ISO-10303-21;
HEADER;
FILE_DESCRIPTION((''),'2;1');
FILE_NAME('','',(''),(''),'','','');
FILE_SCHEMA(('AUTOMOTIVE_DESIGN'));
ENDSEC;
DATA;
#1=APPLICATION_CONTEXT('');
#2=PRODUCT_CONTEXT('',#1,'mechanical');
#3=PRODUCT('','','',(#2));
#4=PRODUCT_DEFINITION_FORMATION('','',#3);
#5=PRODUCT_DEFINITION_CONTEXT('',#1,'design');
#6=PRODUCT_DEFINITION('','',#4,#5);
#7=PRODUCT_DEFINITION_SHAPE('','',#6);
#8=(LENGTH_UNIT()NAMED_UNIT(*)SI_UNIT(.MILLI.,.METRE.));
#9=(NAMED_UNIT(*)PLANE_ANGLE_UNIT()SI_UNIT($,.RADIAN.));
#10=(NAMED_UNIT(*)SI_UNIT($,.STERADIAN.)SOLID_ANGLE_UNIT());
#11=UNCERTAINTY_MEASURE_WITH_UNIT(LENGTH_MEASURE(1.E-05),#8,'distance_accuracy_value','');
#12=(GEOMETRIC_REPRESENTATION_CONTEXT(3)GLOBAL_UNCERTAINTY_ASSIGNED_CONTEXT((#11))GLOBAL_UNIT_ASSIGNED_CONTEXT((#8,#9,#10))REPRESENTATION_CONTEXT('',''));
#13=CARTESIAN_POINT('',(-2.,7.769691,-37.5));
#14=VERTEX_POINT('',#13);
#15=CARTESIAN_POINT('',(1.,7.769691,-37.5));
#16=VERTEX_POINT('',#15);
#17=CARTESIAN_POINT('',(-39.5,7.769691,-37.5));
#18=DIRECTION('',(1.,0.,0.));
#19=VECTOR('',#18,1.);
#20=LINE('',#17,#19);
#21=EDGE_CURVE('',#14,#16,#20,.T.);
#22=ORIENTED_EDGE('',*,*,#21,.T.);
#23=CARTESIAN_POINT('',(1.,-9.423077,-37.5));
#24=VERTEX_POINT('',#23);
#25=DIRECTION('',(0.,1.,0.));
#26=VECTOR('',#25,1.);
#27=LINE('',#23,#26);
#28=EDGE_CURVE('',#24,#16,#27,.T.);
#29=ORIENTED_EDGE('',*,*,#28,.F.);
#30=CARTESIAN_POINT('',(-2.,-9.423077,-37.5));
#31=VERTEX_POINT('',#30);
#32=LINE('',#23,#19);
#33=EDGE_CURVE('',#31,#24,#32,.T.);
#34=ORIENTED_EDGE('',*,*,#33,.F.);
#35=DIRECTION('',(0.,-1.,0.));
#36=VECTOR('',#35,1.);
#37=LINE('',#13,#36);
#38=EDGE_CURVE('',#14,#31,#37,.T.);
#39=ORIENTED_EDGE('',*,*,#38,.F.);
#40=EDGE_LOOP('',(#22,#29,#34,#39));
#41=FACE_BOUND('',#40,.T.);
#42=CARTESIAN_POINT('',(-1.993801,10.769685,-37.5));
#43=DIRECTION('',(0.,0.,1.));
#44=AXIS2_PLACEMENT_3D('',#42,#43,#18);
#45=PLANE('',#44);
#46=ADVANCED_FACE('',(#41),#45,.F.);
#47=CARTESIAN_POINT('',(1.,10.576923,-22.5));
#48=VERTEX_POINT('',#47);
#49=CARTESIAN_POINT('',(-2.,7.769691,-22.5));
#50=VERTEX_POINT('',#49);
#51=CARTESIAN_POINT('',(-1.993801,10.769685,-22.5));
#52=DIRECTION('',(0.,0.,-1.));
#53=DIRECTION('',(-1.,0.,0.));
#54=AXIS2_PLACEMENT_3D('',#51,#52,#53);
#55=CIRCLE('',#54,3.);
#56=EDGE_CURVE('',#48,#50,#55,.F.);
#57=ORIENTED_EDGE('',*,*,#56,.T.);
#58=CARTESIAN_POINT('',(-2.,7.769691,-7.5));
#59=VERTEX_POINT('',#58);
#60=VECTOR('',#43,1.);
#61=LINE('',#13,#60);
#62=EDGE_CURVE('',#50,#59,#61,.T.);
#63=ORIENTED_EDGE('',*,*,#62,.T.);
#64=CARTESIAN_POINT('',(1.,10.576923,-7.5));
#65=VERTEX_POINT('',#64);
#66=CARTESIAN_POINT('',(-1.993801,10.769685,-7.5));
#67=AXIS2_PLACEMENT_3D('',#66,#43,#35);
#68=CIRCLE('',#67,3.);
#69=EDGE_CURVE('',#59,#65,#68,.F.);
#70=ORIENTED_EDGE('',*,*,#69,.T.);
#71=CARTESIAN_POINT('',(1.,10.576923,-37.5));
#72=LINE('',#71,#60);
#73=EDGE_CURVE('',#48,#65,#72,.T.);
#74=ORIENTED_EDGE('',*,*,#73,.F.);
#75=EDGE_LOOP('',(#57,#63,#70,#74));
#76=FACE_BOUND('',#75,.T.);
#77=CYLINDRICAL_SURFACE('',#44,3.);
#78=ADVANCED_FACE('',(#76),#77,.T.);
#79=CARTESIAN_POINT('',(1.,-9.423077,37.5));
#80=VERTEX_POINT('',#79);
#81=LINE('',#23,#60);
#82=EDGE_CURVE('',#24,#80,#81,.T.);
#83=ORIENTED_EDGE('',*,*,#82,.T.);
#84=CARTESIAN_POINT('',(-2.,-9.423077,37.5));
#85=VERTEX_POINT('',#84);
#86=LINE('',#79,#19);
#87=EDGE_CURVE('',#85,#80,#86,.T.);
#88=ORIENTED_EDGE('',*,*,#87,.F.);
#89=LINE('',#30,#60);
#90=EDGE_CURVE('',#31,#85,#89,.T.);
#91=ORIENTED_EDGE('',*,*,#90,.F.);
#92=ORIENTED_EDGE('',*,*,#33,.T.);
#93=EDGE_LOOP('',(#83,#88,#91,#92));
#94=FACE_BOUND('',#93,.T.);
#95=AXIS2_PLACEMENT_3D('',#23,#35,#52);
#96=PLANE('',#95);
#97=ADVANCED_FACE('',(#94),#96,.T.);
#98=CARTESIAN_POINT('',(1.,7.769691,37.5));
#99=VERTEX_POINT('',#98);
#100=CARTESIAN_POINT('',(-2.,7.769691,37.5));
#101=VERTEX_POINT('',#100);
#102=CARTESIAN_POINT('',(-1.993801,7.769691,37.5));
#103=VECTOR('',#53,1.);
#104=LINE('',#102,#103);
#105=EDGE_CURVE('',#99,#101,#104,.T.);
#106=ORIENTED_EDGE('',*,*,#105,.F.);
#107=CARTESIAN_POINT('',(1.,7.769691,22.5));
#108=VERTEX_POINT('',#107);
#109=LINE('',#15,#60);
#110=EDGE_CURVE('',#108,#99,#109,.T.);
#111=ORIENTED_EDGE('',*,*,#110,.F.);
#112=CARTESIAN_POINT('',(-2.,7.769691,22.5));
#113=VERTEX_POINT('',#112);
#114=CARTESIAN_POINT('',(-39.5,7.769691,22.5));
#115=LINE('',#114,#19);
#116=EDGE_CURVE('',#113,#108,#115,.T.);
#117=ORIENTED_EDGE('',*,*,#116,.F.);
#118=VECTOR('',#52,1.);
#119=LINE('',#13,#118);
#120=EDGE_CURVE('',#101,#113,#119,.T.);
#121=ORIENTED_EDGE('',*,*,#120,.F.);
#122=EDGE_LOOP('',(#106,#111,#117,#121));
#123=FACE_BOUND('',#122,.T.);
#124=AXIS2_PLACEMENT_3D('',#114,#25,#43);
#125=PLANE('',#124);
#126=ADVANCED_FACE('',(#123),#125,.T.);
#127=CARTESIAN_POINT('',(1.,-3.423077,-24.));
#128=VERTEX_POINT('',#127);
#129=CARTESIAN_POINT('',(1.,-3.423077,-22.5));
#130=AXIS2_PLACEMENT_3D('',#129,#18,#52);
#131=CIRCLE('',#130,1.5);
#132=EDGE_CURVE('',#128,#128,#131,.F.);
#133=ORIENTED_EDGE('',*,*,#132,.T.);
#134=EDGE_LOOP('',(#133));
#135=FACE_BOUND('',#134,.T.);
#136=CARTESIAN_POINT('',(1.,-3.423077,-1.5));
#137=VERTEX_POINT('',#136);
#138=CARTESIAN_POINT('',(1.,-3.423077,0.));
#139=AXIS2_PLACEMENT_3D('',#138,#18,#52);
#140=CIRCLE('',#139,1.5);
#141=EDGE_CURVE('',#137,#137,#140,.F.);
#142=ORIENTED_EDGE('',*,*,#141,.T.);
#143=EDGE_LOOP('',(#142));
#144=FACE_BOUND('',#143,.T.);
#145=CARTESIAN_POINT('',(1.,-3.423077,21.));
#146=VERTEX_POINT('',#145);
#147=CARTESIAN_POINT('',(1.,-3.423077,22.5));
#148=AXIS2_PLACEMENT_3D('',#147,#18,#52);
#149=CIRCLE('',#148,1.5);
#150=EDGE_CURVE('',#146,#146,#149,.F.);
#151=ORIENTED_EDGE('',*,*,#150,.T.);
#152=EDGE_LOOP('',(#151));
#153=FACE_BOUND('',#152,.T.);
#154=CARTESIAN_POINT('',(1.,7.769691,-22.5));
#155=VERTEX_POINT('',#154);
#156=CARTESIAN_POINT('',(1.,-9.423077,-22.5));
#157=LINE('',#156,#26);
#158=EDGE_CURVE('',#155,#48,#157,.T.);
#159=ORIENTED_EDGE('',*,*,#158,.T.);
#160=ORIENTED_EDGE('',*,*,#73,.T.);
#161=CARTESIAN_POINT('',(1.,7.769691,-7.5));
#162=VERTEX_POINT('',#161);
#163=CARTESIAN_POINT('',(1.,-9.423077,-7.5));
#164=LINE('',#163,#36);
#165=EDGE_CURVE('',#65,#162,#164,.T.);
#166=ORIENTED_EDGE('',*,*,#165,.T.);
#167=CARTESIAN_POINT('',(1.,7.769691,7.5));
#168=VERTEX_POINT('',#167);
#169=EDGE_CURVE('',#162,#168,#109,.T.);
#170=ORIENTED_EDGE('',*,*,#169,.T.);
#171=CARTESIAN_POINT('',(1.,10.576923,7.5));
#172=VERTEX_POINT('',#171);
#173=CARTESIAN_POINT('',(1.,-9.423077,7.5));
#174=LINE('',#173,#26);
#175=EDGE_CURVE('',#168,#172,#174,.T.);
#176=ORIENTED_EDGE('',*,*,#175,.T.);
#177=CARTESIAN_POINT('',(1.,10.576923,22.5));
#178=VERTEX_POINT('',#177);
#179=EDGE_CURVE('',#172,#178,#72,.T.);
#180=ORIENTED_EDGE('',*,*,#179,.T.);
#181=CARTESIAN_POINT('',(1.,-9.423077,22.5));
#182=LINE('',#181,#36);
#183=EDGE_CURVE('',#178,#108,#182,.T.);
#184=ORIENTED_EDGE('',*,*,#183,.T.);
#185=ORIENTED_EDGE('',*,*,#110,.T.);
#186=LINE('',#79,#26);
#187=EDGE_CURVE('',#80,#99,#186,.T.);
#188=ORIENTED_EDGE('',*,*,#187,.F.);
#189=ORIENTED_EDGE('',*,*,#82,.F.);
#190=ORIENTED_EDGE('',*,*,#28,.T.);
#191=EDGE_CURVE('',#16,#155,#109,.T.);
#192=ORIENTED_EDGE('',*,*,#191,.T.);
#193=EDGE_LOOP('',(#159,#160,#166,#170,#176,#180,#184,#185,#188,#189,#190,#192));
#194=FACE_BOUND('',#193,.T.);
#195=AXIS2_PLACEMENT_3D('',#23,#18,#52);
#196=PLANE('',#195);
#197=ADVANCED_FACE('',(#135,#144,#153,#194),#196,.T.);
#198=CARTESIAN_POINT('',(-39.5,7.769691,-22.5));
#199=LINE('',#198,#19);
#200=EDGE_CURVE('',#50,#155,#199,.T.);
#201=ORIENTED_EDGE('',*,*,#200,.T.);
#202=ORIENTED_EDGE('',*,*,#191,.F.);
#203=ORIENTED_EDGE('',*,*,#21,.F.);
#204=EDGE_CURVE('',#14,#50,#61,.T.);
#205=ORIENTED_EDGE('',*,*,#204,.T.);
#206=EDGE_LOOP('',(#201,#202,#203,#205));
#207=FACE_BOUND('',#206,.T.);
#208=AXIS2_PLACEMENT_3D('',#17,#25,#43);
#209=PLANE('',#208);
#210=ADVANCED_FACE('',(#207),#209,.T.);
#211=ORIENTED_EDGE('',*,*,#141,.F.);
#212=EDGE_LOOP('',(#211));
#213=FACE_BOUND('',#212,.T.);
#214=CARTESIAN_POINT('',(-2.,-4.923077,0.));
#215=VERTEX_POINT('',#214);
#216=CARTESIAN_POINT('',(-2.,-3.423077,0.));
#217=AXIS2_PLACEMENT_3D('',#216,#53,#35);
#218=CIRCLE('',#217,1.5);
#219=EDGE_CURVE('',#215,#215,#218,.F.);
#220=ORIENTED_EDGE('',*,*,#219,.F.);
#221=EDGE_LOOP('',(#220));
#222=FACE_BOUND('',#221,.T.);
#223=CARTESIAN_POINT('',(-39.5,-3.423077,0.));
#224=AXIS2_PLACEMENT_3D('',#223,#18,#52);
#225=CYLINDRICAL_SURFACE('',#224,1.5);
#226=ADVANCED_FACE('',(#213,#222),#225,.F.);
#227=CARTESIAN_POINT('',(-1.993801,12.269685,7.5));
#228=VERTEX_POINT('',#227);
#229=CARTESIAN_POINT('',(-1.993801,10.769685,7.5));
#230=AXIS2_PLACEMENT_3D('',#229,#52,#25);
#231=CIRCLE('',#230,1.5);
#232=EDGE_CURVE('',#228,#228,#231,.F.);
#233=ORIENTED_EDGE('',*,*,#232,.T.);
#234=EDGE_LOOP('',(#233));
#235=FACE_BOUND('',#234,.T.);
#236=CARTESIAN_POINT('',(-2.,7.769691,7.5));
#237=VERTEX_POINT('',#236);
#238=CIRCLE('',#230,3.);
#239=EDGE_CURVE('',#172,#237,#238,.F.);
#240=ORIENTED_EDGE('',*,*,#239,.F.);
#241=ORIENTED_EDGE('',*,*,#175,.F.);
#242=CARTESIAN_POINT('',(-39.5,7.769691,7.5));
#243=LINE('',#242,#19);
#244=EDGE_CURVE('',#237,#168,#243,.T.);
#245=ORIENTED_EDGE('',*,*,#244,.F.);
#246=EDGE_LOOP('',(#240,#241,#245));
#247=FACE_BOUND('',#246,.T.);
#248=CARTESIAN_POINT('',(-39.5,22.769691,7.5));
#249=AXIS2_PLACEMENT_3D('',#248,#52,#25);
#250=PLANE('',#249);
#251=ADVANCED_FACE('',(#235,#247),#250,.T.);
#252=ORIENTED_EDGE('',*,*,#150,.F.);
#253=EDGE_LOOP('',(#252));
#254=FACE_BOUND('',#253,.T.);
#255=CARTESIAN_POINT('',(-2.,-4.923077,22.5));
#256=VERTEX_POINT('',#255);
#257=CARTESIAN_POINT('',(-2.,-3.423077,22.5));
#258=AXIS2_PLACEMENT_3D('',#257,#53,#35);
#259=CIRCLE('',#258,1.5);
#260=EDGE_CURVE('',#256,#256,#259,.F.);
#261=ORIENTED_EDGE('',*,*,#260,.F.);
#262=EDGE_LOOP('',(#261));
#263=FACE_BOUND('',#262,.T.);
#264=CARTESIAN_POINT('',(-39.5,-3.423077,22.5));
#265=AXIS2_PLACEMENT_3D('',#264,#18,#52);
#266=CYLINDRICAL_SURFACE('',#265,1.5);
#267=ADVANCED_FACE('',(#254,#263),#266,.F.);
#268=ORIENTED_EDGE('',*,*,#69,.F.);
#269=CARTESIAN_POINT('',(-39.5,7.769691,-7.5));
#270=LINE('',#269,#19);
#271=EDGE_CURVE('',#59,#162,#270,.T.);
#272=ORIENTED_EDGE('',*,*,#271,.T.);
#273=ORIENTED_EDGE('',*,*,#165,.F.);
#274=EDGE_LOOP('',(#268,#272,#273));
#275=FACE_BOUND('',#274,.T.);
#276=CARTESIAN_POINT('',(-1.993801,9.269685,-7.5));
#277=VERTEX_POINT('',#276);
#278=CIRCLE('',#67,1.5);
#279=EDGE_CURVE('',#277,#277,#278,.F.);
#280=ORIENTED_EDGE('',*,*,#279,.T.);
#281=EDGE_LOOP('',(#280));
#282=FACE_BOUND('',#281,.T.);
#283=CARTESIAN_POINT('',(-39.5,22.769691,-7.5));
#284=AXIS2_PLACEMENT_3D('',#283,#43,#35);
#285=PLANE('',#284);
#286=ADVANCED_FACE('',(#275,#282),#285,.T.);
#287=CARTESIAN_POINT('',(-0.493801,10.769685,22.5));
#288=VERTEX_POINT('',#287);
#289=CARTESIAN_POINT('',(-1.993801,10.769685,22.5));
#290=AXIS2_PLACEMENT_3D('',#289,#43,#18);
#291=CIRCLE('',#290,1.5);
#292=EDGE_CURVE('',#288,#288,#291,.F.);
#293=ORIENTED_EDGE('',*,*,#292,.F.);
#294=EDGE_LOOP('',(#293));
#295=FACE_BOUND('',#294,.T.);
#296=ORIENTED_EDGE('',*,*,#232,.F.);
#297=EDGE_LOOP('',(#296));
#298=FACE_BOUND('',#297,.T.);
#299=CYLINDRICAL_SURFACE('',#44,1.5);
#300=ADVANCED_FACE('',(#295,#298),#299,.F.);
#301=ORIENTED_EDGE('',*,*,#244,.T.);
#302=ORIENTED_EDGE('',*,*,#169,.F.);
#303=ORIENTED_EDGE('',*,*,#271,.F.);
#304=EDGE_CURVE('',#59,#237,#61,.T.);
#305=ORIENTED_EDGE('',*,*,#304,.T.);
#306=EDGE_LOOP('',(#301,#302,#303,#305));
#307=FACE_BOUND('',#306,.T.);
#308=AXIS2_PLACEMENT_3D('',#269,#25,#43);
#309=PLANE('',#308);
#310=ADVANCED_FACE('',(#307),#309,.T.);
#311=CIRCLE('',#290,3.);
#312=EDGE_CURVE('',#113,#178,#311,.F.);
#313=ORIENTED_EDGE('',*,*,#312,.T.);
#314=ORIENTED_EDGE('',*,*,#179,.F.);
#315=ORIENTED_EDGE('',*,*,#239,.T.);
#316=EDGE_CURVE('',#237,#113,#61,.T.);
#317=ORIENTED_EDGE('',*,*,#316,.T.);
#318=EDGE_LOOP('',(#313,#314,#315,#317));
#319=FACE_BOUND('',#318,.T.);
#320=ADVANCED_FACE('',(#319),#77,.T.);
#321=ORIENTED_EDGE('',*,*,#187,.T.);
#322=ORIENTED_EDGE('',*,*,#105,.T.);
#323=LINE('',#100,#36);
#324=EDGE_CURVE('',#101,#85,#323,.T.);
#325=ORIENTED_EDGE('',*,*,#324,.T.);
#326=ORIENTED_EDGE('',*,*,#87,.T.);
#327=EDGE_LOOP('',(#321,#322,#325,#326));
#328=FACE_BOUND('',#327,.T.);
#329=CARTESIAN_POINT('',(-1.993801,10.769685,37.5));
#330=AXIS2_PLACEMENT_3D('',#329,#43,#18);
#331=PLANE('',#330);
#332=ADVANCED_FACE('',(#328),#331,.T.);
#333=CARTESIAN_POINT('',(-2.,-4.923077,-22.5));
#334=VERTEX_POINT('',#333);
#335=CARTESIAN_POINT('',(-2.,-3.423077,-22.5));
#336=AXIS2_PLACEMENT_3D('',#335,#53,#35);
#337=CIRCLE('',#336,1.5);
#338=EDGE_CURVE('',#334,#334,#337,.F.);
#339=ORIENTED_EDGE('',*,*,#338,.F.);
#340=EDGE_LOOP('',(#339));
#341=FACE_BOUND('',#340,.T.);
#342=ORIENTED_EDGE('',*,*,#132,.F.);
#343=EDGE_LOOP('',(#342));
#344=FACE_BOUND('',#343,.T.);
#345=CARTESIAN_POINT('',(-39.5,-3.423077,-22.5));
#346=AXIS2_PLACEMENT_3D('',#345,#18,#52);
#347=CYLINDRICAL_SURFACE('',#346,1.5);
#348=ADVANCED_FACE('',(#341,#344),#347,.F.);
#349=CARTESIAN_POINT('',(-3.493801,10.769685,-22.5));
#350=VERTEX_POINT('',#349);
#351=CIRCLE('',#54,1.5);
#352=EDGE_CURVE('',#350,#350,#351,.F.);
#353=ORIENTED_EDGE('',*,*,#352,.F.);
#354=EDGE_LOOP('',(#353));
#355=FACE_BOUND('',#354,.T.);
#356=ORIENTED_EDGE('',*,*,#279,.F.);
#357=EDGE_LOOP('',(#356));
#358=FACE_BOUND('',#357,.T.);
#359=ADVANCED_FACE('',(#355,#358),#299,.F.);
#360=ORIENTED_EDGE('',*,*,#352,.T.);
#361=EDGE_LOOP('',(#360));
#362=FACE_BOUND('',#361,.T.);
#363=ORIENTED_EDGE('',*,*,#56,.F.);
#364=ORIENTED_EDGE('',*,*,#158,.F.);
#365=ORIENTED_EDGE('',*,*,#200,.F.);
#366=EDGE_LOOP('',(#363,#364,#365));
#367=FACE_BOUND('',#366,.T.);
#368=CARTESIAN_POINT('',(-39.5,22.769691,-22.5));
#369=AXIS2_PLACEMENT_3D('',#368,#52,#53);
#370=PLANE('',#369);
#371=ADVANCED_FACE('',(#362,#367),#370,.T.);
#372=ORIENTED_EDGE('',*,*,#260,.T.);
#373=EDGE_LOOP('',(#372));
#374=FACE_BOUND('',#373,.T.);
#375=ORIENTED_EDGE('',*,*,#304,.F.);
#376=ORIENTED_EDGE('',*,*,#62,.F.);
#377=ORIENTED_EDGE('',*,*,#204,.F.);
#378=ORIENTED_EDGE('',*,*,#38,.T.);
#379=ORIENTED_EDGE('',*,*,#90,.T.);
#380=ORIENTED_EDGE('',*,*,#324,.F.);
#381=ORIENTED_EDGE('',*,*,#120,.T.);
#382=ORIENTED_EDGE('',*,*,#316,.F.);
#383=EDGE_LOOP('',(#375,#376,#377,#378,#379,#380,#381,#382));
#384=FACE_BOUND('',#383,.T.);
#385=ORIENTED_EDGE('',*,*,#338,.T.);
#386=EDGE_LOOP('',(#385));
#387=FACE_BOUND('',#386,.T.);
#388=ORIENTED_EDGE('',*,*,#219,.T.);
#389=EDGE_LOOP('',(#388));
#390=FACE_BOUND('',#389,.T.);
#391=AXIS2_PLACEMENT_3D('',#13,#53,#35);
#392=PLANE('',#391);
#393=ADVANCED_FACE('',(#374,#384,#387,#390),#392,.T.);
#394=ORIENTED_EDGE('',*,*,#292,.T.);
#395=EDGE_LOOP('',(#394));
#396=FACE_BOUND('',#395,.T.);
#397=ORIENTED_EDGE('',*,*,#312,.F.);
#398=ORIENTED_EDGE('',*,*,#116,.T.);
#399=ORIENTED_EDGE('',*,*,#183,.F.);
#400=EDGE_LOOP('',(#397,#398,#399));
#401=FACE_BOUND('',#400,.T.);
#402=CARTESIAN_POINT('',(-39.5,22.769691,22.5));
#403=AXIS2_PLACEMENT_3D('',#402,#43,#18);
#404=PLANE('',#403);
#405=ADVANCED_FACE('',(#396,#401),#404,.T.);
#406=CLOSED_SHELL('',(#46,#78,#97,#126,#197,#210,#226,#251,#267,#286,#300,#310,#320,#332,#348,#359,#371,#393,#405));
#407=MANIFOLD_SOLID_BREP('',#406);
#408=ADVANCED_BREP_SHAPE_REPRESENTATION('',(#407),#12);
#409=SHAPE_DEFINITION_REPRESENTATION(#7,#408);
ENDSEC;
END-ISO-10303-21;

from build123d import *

# Parameters (mm, degrees)
BOSS_EXTRUDE1_DEPTH      = 37.5
BOSS_EXTRUDE1_DEPTH_BACK = 37.5
SKETCH1_R                = 1.5
CUT_EXTRUDE1_DEPTH       = 37.5
CUT_EXTRUDE1_DEPTH_BACK  = 37.5
SKETCH2_R                = 1.5
SKETCH2_W                = 15
SKETCH2_H                = 15


with BuildPart() as part:
    # Sketch1 → Boss-Extrude1 (new, two sides: drawn at the far end of the back side and taken through both)
    with BuildSketch(Plane.XY.offset(-BOSS_EXTRUDE1_DEPTH_BACK)):
        with BuildLine():
            Line((-2, 7.769691362), (-2, -9.423076923))
            Line((-2, -9.423076923), (1, -9.423076923))
            Line((1, -9.423076923), (1, 10.576923077))
            ThreePointArc((1, 10.576923077), (-4.043575876, 12.960215003), (-2, 7.769691362))
        make_face()
        with Locations((-1.993800738, 10.769684957)):
            Circle(SKETCH1_R, mode=Mode.SUBTRACT)
    extrude(amount=BOSS_EXTRUDE1_DEPTH + BOSS_EXTRUDE1_DEPTH_BACK)

    # Sketch2 → Cut-Extrude1 (cut, two sides: drawn at the far end of the back side and taken through both)
    with BuildSketch(Plane.ZY.offset(2).offset(-CUT_EXTRUDE1_DEPTH_BACK)):
        with Locations((-22.5, -3.423076923)):
            Circle(SKETCH2_R)
        with Locations((0, -3.423076923)):
            Circle(SKETCH2_R)
        with Locations((22.5, -3.423076923)):
            Circle(SKETCH2_R)
        with Locations((-30, 15.269691362)):
            Rectangle(SKETCH2_W, SKETCH2_H)
        with Locations((0, 15.269691362)):
            Rectangle(SKETCH2_W, SKETCH2_H)
        with Locations((30, 15.269691362)):
            Rectangle(SKETCH2_W, SKETCH2_H)
    extrude(amount=CUT_EXTRUDE1_DEPTH + CUT_EXTRUDE1_DEPTH_BACK, mode=Mode.SUBTRACT)


solid = part.part
